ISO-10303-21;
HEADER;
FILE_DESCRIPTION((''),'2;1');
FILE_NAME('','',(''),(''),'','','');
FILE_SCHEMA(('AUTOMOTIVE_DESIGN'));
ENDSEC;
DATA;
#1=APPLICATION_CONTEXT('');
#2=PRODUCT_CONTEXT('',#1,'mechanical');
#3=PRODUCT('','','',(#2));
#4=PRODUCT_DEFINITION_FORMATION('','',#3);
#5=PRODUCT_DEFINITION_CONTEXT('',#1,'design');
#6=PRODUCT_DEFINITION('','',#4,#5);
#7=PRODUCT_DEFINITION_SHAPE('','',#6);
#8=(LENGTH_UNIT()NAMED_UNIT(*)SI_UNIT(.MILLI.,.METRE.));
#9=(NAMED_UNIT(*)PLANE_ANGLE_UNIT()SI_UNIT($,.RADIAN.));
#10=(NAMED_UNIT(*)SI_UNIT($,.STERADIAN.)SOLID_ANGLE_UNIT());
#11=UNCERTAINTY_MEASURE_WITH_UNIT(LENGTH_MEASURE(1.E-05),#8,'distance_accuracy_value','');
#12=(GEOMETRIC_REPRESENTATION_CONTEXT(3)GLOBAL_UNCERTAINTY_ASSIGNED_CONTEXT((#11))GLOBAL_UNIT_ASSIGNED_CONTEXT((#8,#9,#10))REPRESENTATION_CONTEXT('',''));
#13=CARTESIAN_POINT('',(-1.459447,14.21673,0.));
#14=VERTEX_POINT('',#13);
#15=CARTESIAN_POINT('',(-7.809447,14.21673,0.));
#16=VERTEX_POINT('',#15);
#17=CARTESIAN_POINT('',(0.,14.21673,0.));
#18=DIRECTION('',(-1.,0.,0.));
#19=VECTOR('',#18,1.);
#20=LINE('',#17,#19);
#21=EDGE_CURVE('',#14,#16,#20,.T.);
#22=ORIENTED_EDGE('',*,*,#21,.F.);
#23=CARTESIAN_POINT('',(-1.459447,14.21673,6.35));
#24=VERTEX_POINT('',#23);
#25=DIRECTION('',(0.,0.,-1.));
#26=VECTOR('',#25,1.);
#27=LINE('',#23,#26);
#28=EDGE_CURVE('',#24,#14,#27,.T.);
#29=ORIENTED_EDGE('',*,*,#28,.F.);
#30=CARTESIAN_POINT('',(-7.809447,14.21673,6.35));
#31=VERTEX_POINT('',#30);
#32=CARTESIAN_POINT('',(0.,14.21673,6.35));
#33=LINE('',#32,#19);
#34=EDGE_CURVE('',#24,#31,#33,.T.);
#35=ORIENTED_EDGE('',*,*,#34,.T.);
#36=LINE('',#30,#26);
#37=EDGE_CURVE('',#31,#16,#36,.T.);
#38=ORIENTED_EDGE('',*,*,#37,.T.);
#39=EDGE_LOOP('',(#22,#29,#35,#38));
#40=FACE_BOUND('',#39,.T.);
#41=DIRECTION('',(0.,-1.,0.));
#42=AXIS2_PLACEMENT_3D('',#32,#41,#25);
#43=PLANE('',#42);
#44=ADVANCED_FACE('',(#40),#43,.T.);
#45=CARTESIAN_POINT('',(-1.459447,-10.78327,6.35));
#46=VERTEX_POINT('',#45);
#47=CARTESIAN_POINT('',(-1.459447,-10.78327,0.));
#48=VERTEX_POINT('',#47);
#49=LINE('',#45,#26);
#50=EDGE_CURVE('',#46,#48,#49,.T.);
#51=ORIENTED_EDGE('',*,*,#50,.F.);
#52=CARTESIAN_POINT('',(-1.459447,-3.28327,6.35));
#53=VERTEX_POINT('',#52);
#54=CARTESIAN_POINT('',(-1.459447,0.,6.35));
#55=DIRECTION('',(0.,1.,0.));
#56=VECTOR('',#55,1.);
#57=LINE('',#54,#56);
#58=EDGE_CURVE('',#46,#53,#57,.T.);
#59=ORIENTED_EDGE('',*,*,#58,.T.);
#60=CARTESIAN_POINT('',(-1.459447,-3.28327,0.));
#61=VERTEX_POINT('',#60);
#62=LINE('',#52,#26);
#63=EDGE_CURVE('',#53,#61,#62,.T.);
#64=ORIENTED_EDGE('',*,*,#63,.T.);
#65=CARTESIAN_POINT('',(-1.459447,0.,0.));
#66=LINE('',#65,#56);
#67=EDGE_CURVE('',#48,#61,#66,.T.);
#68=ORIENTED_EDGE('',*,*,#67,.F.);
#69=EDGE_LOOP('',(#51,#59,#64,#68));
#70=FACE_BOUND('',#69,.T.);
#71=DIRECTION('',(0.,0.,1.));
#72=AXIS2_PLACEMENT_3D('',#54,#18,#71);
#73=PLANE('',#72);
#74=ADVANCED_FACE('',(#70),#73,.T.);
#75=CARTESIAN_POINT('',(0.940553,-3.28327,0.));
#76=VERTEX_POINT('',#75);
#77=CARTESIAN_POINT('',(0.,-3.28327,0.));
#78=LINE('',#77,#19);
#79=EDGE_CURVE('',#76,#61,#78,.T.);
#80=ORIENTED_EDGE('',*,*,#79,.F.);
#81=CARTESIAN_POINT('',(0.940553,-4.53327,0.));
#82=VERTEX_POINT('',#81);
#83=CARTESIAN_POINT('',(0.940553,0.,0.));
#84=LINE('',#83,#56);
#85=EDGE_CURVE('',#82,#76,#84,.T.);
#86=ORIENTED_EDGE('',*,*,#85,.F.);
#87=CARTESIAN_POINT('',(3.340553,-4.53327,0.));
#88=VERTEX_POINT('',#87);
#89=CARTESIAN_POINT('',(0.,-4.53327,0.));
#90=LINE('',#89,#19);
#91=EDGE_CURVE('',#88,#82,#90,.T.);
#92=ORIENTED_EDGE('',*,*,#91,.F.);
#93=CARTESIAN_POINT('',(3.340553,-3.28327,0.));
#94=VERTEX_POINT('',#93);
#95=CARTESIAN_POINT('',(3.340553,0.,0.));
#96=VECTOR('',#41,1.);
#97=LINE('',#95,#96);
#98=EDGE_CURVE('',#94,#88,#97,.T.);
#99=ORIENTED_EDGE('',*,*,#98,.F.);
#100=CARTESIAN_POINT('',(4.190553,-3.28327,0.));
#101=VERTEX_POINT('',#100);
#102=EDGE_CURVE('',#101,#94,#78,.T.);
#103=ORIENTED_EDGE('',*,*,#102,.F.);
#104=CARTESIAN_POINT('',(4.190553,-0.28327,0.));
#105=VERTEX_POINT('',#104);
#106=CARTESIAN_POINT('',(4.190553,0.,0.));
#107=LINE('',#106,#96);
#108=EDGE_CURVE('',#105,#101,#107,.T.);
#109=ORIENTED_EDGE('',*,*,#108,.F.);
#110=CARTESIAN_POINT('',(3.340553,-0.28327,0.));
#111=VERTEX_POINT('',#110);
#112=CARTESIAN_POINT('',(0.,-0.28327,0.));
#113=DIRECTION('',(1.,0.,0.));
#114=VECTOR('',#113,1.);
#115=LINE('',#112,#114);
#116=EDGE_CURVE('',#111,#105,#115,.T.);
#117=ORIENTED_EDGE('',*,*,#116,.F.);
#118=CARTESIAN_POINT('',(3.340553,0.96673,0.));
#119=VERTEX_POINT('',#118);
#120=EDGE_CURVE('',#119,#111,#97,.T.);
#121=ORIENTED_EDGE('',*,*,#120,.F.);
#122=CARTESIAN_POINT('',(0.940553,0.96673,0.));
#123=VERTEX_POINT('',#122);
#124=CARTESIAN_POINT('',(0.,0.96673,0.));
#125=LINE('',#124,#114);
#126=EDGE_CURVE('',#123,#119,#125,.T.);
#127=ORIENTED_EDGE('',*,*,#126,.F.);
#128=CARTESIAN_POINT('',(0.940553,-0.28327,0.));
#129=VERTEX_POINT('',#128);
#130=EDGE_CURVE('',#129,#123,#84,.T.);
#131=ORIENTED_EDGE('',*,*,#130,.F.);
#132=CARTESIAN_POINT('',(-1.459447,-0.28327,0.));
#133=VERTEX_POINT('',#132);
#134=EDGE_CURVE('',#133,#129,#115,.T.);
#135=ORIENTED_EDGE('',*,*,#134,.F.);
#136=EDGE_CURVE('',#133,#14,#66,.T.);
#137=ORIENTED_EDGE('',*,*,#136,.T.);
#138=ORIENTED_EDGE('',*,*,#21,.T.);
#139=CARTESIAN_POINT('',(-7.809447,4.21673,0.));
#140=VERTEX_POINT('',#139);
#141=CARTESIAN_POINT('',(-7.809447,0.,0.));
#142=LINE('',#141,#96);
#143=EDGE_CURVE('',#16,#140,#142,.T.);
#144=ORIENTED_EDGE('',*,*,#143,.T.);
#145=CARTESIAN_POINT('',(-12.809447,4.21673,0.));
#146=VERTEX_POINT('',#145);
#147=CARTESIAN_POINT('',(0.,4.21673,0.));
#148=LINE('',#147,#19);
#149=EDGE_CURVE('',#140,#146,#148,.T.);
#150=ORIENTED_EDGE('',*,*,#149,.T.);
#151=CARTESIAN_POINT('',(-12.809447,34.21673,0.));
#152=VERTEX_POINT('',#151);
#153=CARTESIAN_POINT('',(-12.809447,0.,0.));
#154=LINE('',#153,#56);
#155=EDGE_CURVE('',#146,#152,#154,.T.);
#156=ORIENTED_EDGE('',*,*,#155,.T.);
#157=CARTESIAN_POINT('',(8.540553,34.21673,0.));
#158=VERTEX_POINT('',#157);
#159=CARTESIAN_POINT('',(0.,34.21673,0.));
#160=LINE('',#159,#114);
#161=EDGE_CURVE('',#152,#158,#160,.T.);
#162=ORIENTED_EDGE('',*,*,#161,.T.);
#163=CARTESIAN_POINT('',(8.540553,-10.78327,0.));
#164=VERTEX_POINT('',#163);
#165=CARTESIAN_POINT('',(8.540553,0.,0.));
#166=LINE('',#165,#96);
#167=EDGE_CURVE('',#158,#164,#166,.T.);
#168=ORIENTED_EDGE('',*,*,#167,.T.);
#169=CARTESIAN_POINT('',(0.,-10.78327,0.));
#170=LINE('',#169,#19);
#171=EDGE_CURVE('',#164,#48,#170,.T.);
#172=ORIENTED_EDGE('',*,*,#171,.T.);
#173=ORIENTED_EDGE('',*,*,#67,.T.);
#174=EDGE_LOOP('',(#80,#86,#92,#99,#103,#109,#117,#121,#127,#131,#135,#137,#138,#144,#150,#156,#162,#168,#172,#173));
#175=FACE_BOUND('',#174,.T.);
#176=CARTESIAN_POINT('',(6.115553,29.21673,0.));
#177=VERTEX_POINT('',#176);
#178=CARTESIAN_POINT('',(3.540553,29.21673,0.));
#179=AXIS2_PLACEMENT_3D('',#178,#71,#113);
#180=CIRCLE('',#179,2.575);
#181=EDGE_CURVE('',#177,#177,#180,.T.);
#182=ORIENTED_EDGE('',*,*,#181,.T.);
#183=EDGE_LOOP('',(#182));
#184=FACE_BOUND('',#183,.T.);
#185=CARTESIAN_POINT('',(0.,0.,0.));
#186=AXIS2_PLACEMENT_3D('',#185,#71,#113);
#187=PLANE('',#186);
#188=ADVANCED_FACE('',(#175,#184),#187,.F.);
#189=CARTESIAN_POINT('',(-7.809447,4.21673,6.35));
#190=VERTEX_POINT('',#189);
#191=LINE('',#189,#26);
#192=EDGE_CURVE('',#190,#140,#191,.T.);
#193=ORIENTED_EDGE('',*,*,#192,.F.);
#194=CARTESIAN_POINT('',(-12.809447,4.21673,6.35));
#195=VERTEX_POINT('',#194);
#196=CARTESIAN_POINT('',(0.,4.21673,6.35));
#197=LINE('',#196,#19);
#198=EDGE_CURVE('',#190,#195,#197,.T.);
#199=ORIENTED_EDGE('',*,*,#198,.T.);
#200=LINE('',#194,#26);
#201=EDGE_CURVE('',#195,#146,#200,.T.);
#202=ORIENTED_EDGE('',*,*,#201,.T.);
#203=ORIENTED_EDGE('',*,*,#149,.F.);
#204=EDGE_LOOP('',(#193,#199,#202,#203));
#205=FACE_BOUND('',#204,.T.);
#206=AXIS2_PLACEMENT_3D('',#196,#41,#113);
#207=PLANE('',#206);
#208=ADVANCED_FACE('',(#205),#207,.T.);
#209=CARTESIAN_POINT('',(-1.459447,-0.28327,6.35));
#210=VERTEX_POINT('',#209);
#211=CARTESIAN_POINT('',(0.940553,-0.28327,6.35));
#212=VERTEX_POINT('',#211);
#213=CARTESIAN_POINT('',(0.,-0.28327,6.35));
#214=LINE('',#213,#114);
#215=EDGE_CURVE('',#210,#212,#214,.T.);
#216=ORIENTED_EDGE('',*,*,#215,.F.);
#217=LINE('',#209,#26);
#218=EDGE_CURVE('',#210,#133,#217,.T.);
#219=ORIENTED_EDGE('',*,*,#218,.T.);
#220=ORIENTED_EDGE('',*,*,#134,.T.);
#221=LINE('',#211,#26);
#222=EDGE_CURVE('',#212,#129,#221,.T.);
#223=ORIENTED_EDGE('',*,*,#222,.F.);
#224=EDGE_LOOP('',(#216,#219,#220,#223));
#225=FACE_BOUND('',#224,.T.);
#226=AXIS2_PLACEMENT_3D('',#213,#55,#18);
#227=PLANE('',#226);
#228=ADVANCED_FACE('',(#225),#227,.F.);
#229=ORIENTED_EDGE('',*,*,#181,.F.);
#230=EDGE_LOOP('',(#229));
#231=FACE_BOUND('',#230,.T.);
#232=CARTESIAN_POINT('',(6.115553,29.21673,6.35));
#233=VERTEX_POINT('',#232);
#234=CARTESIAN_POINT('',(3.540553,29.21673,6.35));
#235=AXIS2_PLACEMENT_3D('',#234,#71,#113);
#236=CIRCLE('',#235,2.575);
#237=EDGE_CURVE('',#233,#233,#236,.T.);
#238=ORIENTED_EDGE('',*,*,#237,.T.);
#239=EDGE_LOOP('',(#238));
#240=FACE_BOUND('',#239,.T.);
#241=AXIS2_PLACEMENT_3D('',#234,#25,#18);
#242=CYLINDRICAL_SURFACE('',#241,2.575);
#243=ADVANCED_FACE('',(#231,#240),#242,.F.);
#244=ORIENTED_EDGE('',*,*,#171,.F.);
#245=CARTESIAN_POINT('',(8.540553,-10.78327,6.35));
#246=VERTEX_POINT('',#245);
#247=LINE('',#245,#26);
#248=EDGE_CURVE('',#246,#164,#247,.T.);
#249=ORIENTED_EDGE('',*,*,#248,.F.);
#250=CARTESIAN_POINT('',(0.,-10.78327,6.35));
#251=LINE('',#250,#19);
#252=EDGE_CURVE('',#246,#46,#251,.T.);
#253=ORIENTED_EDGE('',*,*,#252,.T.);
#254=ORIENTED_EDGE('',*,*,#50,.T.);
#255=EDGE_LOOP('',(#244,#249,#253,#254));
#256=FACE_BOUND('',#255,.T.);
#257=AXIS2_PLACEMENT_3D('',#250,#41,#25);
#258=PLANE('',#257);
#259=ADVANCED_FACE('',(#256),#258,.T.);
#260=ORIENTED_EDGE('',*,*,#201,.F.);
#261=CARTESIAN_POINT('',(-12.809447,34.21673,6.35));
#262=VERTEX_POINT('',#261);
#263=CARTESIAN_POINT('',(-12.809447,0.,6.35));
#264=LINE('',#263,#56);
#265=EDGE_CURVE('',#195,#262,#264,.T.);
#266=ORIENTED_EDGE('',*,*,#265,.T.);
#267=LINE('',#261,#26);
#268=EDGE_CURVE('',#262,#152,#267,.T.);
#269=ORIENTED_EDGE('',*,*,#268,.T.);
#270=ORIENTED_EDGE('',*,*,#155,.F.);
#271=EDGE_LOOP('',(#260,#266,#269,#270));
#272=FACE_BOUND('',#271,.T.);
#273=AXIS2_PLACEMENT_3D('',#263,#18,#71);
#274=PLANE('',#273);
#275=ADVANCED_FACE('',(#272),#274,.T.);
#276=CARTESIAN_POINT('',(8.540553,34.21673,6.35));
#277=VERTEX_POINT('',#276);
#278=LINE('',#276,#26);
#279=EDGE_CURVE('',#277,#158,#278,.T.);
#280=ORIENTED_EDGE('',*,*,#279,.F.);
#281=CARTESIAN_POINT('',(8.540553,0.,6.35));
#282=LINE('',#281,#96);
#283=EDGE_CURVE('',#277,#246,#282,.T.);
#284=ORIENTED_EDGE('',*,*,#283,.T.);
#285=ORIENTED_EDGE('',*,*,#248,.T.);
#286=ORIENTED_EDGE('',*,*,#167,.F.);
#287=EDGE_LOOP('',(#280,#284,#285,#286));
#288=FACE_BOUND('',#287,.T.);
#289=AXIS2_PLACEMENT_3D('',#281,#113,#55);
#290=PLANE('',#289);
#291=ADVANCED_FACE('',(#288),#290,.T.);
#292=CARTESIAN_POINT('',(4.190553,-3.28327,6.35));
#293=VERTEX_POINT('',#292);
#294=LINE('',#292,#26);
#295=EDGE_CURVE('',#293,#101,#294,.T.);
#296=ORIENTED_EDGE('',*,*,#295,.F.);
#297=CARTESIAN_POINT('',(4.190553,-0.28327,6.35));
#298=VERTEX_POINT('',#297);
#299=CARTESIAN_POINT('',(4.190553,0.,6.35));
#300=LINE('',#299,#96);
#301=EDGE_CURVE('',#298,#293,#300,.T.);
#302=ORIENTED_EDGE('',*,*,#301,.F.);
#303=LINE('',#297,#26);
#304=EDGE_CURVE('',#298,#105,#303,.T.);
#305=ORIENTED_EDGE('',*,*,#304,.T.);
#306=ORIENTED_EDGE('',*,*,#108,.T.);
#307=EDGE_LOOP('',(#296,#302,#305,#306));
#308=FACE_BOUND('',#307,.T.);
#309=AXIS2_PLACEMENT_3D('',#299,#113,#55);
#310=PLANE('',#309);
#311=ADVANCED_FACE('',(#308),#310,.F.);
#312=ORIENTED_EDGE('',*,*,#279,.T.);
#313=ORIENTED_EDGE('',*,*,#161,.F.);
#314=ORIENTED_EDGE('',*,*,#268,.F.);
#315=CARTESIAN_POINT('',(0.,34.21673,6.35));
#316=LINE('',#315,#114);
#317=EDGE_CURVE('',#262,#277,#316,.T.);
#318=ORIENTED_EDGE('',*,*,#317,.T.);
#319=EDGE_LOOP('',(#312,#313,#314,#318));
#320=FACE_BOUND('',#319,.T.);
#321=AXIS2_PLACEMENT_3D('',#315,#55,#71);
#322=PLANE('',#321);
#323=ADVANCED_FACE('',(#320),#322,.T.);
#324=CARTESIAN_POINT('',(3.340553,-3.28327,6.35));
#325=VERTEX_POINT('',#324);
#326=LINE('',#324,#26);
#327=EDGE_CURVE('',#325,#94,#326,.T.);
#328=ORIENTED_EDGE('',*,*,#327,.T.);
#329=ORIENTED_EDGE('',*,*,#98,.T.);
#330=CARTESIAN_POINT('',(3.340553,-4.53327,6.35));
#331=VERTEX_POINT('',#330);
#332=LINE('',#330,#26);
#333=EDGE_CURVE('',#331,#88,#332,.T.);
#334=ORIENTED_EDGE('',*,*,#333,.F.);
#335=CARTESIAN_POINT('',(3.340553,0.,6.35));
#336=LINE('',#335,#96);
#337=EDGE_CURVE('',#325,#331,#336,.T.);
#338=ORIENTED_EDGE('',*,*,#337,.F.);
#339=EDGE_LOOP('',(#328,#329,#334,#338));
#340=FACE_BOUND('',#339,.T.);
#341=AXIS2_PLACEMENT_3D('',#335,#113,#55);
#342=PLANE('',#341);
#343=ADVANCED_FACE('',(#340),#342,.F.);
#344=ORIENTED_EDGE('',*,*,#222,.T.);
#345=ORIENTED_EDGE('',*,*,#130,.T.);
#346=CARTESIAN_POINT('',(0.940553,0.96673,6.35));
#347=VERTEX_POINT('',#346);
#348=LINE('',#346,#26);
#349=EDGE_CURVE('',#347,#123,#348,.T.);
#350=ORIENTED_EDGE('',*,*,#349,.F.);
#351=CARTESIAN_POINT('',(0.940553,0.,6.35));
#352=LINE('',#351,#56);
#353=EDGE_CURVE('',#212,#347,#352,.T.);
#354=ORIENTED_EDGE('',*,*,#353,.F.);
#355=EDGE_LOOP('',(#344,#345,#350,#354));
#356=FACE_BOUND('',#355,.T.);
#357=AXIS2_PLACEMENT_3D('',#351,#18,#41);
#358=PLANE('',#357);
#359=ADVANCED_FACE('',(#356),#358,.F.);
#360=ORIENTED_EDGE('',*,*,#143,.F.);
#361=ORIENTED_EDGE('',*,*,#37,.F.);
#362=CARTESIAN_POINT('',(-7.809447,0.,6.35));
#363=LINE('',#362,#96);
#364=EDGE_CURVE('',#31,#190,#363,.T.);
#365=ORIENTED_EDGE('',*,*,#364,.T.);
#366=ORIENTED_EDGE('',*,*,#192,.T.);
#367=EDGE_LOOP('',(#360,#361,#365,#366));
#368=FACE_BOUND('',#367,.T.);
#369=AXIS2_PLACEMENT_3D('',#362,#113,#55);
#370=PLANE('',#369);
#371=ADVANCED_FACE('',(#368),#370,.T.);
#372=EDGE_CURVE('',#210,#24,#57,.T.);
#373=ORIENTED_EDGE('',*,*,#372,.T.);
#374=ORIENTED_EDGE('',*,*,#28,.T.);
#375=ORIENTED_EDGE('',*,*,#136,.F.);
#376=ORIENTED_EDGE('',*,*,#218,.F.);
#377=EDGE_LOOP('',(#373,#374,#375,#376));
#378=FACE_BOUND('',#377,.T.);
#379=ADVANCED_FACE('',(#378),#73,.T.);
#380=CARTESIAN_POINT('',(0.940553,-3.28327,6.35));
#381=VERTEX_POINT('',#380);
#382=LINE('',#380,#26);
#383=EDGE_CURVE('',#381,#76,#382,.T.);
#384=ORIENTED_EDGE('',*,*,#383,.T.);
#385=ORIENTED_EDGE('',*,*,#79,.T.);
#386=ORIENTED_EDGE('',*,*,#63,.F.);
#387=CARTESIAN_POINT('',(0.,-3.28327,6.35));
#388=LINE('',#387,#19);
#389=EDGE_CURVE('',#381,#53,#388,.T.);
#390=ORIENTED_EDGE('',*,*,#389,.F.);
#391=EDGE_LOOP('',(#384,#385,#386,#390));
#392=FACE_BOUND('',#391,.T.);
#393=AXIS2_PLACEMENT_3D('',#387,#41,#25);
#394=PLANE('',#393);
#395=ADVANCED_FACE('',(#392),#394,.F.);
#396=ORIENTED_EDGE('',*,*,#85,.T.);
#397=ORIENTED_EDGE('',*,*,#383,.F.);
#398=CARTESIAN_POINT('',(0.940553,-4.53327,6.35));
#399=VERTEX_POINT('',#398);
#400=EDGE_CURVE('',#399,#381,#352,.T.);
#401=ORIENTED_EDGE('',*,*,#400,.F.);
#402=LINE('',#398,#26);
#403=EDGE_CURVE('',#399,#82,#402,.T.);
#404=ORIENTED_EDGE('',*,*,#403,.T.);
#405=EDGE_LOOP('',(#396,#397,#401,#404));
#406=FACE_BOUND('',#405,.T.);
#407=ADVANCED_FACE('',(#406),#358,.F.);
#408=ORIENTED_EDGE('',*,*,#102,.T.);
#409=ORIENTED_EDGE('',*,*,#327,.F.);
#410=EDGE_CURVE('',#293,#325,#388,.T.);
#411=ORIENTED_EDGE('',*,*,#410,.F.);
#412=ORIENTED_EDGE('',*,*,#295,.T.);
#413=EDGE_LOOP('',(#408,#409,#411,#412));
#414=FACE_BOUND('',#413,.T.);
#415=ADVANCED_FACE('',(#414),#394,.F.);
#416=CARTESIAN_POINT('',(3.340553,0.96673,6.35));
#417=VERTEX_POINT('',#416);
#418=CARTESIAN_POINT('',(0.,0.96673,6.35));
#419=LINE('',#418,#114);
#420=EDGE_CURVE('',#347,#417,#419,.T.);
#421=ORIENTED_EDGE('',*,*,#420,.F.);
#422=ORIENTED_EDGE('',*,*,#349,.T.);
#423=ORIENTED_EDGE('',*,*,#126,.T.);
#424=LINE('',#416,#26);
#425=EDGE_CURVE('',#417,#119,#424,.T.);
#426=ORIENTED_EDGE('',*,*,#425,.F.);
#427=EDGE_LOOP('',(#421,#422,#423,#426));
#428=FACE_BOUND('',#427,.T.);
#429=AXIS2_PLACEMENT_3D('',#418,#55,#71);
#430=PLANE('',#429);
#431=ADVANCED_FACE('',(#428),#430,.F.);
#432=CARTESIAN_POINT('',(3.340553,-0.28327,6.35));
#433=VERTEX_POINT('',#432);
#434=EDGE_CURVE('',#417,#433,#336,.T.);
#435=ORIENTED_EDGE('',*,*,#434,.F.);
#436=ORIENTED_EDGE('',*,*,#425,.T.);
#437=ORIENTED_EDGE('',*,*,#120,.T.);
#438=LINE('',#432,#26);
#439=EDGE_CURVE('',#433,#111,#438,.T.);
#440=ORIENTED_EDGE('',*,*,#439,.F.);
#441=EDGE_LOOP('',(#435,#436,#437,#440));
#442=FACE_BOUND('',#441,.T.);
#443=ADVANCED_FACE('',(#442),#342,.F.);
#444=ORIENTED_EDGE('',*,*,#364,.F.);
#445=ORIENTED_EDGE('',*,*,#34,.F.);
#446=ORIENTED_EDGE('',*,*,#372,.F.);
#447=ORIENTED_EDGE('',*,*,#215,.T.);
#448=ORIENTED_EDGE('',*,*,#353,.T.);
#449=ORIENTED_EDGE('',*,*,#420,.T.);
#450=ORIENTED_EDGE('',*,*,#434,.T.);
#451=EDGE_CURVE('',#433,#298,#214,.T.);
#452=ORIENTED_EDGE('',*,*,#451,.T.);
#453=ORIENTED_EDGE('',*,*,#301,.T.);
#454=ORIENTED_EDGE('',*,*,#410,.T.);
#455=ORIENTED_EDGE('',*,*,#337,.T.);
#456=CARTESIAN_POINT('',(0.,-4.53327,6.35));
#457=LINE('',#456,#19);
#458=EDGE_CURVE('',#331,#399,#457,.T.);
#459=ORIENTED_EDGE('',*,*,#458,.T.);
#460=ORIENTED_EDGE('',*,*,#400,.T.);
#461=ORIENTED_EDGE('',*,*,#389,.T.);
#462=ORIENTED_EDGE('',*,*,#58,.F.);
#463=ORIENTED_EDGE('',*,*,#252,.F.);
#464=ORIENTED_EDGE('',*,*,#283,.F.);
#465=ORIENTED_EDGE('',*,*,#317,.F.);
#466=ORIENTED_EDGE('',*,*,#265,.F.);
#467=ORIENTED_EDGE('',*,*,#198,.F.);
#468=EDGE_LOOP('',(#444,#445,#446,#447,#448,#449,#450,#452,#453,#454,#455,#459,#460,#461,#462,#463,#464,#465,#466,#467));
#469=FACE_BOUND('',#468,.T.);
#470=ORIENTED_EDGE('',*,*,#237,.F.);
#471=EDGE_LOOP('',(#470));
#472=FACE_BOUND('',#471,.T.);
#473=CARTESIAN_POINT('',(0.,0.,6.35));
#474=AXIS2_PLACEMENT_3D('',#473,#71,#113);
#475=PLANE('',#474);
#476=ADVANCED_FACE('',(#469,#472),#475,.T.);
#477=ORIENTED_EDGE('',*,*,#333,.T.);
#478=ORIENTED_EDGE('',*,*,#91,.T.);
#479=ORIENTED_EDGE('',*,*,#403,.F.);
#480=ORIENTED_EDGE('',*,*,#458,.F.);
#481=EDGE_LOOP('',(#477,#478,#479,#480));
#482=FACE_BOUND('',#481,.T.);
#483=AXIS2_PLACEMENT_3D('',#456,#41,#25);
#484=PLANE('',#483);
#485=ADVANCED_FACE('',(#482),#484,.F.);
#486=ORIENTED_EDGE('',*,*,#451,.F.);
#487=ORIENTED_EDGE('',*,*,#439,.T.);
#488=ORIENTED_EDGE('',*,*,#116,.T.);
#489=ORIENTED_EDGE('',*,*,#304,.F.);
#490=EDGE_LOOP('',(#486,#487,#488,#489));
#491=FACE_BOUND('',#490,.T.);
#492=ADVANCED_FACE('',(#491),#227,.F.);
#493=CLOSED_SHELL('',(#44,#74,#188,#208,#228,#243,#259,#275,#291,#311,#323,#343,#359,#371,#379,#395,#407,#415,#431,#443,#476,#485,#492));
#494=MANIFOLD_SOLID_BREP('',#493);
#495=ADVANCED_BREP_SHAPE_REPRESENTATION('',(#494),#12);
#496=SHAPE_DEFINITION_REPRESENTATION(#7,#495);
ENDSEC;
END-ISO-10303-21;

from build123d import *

# Parameters (mm, degrees)
SKETCH1_R           = 2.575
BOSS_EXTRUDE1_DEPTH = 6.35


with BuildPart() as part:
    # Sketch1 → Boss-Extrude1 (new body)
    with BuildSketch(Plane.XY):
        Polygon((8.540553214, -10.783269704), (8.540553214, 34.216730296), (-12.809446786, 34.216730296), (-12.809446786, 4.216730296), (-7.809446786, 4.216730296), (-7.809446786, 14.216730296), (-1.459446786, 14.216730296), (-1.459446786, -0.283269704), (0.940553214, -0.283269704), (0.940553214, 0.966730296), (3.340553214, 0.966730296), (3.340553214, -0.283269704), (4.190553214, -0.283269704), (4.190553214, -3.283269704), (3.340553214, -3.283269704), (3.340553214, -4.533269704), (0.940553214, -4.533269704), (0.940553214, -3.283269704), (-1.459446786, -3.283269704), (-1.459446786, -10.783269704), align=None)
        with Locations((3.540553214, 29.216730296)):
            Circle(SKETCH1_R, mode=Mode.SUBTRACT)
    extrude(amount=BOSS_EXTRUDE1_DEPTH)


solid = part.part
